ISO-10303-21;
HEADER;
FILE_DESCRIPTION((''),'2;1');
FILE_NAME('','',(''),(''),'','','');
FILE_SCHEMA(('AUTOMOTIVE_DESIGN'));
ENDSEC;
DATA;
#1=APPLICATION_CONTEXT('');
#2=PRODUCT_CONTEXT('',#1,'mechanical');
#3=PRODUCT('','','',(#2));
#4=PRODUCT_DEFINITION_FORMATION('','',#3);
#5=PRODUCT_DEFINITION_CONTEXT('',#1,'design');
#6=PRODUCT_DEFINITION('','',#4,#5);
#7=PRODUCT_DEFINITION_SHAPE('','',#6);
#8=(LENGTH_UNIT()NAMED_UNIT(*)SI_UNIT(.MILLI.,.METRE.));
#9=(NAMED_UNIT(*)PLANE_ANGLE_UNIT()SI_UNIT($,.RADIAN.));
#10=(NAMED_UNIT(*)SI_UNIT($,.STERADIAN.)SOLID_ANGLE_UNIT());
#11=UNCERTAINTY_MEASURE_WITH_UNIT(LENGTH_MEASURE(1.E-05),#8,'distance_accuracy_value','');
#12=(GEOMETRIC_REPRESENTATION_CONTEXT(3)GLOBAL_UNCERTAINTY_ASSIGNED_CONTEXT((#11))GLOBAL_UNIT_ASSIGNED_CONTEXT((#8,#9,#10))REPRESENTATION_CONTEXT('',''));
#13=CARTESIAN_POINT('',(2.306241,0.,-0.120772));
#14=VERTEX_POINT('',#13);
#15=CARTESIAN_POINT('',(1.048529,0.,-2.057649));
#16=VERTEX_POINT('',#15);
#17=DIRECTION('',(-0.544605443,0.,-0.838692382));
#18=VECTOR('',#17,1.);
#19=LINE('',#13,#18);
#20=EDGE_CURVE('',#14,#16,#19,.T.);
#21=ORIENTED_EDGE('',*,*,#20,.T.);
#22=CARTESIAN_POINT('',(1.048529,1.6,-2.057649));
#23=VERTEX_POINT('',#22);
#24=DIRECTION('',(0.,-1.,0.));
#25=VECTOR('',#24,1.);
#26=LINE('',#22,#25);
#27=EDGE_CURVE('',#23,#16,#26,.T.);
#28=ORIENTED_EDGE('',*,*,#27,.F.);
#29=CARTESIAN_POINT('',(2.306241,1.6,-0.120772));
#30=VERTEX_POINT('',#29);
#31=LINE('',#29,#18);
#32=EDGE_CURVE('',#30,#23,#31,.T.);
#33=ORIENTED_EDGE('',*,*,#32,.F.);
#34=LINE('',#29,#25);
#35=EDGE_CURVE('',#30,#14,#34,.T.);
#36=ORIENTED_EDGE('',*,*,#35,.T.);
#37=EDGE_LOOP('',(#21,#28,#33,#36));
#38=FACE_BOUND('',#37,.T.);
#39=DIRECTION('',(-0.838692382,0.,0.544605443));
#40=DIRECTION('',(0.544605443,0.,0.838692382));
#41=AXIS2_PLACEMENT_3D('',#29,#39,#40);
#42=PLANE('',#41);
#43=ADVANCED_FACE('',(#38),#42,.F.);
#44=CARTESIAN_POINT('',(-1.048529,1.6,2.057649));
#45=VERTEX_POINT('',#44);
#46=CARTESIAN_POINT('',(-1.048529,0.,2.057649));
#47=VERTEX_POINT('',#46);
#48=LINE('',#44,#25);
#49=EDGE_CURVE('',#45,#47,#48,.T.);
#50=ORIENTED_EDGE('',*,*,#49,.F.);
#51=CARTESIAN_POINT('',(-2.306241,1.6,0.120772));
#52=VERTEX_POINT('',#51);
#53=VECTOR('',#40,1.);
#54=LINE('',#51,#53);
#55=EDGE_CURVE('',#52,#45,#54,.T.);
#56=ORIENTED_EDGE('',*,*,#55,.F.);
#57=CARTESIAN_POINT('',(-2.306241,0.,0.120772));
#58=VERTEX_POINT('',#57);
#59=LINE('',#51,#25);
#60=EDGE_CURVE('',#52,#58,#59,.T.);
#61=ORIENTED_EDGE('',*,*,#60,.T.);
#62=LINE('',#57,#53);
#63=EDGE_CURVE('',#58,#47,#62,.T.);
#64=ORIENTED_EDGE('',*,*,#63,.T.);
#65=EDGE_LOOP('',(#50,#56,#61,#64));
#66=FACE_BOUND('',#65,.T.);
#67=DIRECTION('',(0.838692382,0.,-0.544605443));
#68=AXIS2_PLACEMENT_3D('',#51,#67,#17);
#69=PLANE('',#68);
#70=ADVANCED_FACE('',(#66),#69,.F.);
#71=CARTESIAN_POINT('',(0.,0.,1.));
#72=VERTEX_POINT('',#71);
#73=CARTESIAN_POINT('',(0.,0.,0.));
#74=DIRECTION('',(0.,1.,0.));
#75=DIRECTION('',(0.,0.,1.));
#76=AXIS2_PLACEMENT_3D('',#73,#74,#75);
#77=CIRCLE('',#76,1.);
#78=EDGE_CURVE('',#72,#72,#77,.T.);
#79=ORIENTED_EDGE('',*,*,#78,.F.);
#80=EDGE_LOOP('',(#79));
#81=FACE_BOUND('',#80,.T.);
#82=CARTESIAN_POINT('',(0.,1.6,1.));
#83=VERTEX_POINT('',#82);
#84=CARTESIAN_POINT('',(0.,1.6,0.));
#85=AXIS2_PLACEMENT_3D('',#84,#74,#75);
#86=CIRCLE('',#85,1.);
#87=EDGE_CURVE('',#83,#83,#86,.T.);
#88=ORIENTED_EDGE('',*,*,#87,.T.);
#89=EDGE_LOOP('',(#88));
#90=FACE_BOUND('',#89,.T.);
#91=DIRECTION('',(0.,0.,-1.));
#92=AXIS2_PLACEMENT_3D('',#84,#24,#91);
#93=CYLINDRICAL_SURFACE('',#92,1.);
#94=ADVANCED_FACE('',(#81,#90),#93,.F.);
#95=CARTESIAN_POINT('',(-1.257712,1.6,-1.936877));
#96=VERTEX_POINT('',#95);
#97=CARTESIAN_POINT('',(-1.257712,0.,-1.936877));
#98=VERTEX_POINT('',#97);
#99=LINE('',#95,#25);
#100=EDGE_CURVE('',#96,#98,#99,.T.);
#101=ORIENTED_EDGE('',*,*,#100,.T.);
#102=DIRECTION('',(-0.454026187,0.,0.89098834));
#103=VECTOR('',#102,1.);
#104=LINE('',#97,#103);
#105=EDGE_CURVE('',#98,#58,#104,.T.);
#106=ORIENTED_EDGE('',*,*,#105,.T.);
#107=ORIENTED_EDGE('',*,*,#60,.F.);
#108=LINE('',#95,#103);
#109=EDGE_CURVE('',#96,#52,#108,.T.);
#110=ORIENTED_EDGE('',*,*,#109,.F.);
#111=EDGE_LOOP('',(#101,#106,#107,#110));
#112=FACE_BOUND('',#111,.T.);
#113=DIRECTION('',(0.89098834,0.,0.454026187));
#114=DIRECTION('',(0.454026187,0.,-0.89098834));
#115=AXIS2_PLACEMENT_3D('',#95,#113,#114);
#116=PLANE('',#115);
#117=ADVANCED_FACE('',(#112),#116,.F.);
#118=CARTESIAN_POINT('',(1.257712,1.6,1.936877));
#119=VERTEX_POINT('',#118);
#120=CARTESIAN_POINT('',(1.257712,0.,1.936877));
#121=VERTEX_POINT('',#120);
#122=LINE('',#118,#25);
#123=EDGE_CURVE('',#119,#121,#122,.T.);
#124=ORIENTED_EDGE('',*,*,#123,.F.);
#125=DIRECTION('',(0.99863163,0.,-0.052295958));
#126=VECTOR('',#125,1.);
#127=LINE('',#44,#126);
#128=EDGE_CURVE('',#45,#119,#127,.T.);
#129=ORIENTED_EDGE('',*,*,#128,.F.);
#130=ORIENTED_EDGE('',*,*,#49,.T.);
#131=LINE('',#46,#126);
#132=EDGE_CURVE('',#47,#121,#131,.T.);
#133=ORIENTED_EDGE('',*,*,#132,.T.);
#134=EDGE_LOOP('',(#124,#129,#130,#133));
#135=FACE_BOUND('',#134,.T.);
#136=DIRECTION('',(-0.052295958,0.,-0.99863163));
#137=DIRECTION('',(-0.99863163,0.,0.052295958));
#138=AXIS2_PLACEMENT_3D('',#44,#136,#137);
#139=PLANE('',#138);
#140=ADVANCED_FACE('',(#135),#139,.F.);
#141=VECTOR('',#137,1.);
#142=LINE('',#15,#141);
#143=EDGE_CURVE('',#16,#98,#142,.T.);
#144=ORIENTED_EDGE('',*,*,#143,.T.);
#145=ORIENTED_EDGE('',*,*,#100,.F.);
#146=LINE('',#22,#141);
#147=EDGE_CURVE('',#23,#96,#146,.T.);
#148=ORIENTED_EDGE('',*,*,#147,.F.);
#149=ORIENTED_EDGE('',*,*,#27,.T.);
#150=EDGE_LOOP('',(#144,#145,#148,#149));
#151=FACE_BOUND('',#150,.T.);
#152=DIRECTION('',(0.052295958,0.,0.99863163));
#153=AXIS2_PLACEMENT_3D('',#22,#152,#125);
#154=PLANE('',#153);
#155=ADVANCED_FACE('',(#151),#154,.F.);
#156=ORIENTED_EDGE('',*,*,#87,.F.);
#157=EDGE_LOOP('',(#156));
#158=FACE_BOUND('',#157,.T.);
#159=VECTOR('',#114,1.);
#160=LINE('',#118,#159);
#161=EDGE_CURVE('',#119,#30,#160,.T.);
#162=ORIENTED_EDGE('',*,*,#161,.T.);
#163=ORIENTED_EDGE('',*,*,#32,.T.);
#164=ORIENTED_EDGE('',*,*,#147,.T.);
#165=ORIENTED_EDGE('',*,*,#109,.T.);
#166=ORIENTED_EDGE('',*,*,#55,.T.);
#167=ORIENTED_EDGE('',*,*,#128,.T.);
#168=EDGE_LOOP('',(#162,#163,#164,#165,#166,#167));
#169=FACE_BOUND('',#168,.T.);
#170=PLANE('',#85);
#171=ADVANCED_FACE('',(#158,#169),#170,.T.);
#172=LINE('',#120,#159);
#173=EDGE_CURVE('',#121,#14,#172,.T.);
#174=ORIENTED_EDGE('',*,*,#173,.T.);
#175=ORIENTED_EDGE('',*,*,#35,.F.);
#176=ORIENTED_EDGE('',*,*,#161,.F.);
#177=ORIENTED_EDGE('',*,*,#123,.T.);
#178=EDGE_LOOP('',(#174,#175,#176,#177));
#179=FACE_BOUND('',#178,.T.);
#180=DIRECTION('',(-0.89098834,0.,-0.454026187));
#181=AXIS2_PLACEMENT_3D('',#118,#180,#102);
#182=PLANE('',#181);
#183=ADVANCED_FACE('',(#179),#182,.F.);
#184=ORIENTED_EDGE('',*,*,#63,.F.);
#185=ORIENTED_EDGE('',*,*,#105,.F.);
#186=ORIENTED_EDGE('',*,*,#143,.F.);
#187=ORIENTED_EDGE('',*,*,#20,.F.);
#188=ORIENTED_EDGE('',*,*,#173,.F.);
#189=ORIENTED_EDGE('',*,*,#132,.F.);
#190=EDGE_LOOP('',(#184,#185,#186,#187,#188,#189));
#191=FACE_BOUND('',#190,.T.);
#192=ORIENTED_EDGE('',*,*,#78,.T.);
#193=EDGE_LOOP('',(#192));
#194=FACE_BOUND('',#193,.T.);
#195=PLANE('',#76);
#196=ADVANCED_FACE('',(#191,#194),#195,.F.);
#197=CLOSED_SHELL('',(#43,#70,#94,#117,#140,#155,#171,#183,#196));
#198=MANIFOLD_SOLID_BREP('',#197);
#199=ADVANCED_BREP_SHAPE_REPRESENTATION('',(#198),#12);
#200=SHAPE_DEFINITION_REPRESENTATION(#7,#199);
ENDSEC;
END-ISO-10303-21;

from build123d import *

# Parameters (mm, degrees)
SKETCH_1_R      = 1
EXTRUDE_1_DEPTH = 1.6


with BuildPart() as part:
    # 草图1 → 凸台-拉伸1 (new body)
    with BuildSketch(Plane(origin=(0, 0, 0), x_dir=(1, 0, 0), z_dir=(0, 1, 0))):
        Polygon((1.257712396, -1.93687709), (2.306240962, 0.120772341), (1.048528566, 2.057649431), (-1.257712396, 1.93687709), (-2.306240962, -0.120772341), (-1.048528566, -2.057649431), align=None)
        Circle(SKETCH_1_R, mode=Mode.SUBTRACT)
    extrude(amount=EXTRUDE_1_DEPTH)


solid = part.part
